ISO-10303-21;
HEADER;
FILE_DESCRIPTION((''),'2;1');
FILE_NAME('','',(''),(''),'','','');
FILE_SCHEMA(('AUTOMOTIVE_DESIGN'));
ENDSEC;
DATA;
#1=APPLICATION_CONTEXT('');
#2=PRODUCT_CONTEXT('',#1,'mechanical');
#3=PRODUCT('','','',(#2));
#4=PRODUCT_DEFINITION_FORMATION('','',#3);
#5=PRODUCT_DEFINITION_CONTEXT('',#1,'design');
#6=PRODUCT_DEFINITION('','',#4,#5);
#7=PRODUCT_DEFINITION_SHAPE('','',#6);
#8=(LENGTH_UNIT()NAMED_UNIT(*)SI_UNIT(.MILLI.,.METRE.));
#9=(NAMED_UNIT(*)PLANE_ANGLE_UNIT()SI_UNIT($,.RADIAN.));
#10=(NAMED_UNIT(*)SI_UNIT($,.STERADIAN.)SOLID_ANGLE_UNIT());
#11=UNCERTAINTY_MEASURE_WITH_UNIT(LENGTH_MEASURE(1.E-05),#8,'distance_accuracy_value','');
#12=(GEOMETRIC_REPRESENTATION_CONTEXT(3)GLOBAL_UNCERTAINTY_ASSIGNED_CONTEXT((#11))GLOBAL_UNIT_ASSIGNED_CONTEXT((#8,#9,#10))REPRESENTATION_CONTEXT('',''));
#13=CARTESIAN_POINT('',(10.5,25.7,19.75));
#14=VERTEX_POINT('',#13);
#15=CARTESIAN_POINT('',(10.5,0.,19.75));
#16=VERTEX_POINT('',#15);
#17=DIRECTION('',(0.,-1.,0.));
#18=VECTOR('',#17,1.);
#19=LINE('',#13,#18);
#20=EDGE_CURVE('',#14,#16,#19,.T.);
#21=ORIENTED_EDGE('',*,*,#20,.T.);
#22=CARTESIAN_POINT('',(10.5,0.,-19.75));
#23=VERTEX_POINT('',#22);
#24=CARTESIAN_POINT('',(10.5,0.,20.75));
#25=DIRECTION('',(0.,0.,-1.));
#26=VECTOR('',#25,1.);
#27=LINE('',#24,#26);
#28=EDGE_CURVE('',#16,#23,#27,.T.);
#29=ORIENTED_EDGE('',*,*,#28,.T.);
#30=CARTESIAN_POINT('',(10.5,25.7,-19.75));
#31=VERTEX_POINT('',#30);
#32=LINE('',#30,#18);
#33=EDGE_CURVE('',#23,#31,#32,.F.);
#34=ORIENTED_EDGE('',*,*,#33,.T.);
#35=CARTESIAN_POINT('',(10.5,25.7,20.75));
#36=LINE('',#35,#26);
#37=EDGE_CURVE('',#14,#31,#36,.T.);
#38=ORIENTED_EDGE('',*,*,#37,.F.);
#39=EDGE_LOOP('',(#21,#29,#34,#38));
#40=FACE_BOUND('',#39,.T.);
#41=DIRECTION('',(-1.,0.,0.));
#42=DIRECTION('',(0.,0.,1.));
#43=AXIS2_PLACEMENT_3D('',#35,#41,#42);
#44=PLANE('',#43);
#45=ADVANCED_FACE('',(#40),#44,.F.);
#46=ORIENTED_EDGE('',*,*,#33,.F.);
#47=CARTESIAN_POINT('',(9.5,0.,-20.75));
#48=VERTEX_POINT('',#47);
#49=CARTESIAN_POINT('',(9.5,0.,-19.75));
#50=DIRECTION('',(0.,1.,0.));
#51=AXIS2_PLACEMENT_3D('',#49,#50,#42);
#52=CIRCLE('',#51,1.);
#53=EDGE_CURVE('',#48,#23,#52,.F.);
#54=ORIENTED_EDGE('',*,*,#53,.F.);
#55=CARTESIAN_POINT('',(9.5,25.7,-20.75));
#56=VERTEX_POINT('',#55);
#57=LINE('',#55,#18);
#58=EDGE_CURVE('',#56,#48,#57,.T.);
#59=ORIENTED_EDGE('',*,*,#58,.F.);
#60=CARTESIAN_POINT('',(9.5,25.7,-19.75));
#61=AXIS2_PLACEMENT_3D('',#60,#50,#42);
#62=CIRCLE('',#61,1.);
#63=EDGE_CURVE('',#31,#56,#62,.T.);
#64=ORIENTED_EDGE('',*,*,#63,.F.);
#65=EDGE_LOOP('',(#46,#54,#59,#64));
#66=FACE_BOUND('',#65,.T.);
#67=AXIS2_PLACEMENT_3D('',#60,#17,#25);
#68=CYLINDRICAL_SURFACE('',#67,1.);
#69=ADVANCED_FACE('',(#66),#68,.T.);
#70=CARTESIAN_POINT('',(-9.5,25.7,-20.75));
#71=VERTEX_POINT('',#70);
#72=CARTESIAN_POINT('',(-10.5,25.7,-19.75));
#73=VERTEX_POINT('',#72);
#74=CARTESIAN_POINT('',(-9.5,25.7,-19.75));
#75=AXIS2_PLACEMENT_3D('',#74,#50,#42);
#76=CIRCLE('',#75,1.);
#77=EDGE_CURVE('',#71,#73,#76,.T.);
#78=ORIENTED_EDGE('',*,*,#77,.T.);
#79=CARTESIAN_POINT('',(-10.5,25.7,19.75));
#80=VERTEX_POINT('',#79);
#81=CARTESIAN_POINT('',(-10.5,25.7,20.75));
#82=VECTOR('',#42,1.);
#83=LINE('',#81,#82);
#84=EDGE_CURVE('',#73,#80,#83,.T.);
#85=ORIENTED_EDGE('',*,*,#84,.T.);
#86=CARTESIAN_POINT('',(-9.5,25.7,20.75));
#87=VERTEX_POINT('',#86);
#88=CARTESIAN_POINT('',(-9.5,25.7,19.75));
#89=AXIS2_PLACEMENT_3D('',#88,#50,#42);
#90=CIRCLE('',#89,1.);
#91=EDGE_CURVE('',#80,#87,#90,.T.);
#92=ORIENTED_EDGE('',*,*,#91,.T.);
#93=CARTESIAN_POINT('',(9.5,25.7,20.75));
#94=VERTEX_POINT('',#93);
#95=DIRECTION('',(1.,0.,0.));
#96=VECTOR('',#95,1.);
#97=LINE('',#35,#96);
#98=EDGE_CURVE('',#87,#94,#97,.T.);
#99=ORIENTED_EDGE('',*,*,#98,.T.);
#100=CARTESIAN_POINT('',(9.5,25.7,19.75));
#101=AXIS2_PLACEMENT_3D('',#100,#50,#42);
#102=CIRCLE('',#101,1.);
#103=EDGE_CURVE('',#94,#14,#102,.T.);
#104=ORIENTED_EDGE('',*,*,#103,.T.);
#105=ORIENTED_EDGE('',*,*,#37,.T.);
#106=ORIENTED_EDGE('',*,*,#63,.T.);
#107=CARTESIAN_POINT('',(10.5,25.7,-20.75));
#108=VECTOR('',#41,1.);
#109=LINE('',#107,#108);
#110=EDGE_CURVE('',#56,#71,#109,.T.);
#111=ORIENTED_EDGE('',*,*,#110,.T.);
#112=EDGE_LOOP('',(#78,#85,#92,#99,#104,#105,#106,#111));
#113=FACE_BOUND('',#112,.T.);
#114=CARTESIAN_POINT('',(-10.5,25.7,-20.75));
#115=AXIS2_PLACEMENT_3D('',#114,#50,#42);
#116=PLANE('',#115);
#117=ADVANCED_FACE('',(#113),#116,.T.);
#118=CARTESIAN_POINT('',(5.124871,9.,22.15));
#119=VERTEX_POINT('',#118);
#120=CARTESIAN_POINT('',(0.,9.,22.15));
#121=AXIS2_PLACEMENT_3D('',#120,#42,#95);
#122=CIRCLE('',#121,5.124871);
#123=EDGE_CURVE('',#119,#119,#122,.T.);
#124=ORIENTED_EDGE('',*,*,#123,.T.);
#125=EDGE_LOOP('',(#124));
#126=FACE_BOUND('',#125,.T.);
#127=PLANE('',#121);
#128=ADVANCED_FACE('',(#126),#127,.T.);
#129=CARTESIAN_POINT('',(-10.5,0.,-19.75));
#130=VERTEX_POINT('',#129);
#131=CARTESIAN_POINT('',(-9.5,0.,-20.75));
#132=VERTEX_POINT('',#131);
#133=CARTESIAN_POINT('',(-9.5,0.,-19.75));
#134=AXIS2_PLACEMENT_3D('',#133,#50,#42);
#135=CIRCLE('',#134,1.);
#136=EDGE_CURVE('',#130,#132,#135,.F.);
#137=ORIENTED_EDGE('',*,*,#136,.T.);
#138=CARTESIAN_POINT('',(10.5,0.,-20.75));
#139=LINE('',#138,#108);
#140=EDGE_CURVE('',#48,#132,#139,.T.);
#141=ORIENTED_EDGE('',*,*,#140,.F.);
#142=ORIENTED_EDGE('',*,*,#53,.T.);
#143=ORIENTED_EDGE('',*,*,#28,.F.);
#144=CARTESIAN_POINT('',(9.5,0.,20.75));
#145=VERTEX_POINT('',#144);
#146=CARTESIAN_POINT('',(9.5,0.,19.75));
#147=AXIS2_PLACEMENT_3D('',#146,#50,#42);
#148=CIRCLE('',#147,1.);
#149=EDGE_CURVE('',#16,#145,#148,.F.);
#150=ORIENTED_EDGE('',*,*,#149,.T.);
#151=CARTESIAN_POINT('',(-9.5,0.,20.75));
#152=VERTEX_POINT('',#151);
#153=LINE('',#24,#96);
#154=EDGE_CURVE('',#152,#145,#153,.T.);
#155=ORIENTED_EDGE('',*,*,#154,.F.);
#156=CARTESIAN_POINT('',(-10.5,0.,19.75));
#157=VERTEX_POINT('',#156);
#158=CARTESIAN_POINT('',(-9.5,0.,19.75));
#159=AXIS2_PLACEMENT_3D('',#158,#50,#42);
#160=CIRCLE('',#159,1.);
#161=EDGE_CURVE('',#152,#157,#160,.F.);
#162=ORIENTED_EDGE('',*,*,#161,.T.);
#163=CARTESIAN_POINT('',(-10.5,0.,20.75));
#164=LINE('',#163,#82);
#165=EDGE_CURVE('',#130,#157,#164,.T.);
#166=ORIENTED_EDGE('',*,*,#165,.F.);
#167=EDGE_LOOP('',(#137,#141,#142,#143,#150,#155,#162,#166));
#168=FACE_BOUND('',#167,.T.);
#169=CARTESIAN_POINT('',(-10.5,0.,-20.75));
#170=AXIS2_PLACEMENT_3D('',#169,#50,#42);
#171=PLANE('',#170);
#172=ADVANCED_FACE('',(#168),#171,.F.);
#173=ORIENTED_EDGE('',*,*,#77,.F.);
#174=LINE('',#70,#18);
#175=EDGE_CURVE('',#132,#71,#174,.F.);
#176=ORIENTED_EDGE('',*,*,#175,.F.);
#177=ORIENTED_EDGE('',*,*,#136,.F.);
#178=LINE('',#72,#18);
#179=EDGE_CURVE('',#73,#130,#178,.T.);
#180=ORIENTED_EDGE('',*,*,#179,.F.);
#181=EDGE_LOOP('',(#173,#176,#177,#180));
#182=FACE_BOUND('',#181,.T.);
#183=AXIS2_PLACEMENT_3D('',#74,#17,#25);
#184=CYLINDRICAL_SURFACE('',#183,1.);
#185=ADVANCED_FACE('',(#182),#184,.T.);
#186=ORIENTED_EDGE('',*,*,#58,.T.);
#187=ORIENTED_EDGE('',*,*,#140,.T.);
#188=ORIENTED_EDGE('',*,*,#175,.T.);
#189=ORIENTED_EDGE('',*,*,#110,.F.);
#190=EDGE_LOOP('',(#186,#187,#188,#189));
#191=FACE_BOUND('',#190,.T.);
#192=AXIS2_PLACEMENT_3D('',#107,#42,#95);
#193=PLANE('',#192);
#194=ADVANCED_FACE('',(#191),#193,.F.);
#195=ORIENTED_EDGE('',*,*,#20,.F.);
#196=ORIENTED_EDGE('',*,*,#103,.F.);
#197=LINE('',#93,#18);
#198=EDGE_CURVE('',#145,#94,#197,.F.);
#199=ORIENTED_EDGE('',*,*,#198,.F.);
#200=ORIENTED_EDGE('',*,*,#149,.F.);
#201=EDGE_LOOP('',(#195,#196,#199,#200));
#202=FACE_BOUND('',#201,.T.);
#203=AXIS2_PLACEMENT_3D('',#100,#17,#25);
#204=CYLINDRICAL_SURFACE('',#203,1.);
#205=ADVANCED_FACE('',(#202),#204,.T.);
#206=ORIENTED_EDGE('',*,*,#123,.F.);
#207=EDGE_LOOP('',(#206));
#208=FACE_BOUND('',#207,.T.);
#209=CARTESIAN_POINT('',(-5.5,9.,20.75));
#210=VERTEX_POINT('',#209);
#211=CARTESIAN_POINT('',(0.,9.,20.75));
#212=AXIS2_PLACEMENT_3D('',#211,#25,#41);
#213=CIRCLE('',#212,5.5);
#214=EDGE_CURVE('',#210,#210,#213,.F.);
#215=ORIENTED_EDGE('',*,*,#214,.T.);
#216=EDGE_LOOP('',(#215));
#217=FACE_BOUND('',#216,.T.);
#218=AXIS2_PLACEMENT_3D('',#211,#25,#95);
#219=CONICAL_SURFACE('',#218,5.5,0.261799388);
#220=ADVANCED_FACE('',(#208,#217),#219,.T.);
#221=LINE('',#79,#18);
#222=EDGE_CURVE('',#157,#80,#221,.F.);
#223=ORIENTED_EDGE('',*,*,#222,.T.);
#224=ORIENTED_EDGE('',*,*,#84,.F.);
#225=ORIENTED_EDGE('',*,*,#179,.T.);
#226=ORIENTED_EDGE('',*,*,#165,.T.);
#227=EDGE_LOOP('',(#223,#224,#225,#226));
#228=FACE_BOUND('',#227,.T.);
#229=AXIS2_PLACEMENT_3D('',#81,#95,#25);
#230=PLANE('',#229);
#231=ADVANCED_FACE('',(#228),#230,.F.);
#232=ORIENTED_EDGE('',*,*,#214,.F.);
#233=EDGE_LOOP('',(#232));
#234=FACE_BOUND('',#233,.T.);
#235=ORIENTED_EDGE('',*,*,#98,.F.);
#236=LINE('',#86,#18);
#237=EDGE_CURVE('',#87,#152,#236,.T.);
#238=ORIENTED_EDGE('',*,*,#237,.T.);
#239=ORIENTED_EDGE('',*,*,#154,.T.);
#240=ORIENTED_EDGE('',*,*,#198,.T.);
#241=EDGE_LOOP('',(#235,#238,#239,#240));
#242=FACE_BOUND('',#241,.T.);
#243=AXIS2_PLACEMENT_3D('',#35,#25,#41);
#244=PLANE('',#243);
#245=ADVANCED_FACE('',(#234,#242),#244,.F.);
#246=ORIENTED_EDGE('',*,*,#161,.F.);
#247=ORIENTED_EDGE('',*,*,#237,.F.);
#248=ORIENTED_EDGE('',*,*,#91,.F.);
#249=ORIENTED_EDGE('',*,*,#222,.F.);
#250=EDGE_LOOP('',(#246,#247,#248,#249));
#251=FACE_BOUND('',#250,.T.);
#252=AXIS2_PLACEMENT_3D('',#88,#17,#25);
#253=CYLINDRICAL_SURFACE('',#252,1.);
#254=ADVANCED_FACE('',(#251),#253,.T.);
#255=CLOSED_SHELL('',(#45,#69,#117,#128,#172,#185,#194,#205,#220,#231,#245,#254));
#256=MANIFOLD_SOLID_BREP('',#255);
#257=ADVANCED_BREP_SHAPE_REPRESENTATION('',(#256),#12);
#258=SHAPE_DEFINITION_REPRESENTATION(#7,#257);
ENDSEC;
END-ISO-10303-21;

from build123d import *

# Parameters (mm, degrees)
SKETCH1_W           = 21
SKETCH1_H           = 41.5
BOSS_EXTRUDE1_DEPTH = 25.7
FILLET1_R           = 1
SKETCH2_R           = 5.5
BOSS_EXTRUDE2_DEPTH = 1.4
BOSS_EXTRUDE2_TAPER = 15


with BuildPart() as part:
    # Sketch1 → Boss-Extrude1 (new body)
    with BuildSketch(Plane(origin=(0, 0, 0), x_dir=(1, 0, 0), z_dir=(0, 1, 0))):
        Rectangle(SKETCH1_W, SKETCH1_H)
    extrude(amount=BOSS_EXTRUDE1_DEPTH)

    # Fillet1
    fillet1_edges = [part.edges().sort_by_distance(p)[0] for p in [
        (-10.5, 12.85, -20.75),
        (10.5, 12.85, -20.75),
        (10.5, 12.85, 20.75),
        (-10.5, 12.85, 20.75),
    ]]
    fillet(fillet1_edges, radius=FILLET1_R)

    # Sketch2 → Boss-Extrude2 (add)
    with BuildSketch(Plane.XY.offset(20.75)):
        with Locations((0, 9)):
            Circle(SKETCH2_R)
    extrude(amount=BOSS_EXTRUDE2_DEPTH, taper=BOSS_EXTRUDE2_TAPER)


solid = part.part
